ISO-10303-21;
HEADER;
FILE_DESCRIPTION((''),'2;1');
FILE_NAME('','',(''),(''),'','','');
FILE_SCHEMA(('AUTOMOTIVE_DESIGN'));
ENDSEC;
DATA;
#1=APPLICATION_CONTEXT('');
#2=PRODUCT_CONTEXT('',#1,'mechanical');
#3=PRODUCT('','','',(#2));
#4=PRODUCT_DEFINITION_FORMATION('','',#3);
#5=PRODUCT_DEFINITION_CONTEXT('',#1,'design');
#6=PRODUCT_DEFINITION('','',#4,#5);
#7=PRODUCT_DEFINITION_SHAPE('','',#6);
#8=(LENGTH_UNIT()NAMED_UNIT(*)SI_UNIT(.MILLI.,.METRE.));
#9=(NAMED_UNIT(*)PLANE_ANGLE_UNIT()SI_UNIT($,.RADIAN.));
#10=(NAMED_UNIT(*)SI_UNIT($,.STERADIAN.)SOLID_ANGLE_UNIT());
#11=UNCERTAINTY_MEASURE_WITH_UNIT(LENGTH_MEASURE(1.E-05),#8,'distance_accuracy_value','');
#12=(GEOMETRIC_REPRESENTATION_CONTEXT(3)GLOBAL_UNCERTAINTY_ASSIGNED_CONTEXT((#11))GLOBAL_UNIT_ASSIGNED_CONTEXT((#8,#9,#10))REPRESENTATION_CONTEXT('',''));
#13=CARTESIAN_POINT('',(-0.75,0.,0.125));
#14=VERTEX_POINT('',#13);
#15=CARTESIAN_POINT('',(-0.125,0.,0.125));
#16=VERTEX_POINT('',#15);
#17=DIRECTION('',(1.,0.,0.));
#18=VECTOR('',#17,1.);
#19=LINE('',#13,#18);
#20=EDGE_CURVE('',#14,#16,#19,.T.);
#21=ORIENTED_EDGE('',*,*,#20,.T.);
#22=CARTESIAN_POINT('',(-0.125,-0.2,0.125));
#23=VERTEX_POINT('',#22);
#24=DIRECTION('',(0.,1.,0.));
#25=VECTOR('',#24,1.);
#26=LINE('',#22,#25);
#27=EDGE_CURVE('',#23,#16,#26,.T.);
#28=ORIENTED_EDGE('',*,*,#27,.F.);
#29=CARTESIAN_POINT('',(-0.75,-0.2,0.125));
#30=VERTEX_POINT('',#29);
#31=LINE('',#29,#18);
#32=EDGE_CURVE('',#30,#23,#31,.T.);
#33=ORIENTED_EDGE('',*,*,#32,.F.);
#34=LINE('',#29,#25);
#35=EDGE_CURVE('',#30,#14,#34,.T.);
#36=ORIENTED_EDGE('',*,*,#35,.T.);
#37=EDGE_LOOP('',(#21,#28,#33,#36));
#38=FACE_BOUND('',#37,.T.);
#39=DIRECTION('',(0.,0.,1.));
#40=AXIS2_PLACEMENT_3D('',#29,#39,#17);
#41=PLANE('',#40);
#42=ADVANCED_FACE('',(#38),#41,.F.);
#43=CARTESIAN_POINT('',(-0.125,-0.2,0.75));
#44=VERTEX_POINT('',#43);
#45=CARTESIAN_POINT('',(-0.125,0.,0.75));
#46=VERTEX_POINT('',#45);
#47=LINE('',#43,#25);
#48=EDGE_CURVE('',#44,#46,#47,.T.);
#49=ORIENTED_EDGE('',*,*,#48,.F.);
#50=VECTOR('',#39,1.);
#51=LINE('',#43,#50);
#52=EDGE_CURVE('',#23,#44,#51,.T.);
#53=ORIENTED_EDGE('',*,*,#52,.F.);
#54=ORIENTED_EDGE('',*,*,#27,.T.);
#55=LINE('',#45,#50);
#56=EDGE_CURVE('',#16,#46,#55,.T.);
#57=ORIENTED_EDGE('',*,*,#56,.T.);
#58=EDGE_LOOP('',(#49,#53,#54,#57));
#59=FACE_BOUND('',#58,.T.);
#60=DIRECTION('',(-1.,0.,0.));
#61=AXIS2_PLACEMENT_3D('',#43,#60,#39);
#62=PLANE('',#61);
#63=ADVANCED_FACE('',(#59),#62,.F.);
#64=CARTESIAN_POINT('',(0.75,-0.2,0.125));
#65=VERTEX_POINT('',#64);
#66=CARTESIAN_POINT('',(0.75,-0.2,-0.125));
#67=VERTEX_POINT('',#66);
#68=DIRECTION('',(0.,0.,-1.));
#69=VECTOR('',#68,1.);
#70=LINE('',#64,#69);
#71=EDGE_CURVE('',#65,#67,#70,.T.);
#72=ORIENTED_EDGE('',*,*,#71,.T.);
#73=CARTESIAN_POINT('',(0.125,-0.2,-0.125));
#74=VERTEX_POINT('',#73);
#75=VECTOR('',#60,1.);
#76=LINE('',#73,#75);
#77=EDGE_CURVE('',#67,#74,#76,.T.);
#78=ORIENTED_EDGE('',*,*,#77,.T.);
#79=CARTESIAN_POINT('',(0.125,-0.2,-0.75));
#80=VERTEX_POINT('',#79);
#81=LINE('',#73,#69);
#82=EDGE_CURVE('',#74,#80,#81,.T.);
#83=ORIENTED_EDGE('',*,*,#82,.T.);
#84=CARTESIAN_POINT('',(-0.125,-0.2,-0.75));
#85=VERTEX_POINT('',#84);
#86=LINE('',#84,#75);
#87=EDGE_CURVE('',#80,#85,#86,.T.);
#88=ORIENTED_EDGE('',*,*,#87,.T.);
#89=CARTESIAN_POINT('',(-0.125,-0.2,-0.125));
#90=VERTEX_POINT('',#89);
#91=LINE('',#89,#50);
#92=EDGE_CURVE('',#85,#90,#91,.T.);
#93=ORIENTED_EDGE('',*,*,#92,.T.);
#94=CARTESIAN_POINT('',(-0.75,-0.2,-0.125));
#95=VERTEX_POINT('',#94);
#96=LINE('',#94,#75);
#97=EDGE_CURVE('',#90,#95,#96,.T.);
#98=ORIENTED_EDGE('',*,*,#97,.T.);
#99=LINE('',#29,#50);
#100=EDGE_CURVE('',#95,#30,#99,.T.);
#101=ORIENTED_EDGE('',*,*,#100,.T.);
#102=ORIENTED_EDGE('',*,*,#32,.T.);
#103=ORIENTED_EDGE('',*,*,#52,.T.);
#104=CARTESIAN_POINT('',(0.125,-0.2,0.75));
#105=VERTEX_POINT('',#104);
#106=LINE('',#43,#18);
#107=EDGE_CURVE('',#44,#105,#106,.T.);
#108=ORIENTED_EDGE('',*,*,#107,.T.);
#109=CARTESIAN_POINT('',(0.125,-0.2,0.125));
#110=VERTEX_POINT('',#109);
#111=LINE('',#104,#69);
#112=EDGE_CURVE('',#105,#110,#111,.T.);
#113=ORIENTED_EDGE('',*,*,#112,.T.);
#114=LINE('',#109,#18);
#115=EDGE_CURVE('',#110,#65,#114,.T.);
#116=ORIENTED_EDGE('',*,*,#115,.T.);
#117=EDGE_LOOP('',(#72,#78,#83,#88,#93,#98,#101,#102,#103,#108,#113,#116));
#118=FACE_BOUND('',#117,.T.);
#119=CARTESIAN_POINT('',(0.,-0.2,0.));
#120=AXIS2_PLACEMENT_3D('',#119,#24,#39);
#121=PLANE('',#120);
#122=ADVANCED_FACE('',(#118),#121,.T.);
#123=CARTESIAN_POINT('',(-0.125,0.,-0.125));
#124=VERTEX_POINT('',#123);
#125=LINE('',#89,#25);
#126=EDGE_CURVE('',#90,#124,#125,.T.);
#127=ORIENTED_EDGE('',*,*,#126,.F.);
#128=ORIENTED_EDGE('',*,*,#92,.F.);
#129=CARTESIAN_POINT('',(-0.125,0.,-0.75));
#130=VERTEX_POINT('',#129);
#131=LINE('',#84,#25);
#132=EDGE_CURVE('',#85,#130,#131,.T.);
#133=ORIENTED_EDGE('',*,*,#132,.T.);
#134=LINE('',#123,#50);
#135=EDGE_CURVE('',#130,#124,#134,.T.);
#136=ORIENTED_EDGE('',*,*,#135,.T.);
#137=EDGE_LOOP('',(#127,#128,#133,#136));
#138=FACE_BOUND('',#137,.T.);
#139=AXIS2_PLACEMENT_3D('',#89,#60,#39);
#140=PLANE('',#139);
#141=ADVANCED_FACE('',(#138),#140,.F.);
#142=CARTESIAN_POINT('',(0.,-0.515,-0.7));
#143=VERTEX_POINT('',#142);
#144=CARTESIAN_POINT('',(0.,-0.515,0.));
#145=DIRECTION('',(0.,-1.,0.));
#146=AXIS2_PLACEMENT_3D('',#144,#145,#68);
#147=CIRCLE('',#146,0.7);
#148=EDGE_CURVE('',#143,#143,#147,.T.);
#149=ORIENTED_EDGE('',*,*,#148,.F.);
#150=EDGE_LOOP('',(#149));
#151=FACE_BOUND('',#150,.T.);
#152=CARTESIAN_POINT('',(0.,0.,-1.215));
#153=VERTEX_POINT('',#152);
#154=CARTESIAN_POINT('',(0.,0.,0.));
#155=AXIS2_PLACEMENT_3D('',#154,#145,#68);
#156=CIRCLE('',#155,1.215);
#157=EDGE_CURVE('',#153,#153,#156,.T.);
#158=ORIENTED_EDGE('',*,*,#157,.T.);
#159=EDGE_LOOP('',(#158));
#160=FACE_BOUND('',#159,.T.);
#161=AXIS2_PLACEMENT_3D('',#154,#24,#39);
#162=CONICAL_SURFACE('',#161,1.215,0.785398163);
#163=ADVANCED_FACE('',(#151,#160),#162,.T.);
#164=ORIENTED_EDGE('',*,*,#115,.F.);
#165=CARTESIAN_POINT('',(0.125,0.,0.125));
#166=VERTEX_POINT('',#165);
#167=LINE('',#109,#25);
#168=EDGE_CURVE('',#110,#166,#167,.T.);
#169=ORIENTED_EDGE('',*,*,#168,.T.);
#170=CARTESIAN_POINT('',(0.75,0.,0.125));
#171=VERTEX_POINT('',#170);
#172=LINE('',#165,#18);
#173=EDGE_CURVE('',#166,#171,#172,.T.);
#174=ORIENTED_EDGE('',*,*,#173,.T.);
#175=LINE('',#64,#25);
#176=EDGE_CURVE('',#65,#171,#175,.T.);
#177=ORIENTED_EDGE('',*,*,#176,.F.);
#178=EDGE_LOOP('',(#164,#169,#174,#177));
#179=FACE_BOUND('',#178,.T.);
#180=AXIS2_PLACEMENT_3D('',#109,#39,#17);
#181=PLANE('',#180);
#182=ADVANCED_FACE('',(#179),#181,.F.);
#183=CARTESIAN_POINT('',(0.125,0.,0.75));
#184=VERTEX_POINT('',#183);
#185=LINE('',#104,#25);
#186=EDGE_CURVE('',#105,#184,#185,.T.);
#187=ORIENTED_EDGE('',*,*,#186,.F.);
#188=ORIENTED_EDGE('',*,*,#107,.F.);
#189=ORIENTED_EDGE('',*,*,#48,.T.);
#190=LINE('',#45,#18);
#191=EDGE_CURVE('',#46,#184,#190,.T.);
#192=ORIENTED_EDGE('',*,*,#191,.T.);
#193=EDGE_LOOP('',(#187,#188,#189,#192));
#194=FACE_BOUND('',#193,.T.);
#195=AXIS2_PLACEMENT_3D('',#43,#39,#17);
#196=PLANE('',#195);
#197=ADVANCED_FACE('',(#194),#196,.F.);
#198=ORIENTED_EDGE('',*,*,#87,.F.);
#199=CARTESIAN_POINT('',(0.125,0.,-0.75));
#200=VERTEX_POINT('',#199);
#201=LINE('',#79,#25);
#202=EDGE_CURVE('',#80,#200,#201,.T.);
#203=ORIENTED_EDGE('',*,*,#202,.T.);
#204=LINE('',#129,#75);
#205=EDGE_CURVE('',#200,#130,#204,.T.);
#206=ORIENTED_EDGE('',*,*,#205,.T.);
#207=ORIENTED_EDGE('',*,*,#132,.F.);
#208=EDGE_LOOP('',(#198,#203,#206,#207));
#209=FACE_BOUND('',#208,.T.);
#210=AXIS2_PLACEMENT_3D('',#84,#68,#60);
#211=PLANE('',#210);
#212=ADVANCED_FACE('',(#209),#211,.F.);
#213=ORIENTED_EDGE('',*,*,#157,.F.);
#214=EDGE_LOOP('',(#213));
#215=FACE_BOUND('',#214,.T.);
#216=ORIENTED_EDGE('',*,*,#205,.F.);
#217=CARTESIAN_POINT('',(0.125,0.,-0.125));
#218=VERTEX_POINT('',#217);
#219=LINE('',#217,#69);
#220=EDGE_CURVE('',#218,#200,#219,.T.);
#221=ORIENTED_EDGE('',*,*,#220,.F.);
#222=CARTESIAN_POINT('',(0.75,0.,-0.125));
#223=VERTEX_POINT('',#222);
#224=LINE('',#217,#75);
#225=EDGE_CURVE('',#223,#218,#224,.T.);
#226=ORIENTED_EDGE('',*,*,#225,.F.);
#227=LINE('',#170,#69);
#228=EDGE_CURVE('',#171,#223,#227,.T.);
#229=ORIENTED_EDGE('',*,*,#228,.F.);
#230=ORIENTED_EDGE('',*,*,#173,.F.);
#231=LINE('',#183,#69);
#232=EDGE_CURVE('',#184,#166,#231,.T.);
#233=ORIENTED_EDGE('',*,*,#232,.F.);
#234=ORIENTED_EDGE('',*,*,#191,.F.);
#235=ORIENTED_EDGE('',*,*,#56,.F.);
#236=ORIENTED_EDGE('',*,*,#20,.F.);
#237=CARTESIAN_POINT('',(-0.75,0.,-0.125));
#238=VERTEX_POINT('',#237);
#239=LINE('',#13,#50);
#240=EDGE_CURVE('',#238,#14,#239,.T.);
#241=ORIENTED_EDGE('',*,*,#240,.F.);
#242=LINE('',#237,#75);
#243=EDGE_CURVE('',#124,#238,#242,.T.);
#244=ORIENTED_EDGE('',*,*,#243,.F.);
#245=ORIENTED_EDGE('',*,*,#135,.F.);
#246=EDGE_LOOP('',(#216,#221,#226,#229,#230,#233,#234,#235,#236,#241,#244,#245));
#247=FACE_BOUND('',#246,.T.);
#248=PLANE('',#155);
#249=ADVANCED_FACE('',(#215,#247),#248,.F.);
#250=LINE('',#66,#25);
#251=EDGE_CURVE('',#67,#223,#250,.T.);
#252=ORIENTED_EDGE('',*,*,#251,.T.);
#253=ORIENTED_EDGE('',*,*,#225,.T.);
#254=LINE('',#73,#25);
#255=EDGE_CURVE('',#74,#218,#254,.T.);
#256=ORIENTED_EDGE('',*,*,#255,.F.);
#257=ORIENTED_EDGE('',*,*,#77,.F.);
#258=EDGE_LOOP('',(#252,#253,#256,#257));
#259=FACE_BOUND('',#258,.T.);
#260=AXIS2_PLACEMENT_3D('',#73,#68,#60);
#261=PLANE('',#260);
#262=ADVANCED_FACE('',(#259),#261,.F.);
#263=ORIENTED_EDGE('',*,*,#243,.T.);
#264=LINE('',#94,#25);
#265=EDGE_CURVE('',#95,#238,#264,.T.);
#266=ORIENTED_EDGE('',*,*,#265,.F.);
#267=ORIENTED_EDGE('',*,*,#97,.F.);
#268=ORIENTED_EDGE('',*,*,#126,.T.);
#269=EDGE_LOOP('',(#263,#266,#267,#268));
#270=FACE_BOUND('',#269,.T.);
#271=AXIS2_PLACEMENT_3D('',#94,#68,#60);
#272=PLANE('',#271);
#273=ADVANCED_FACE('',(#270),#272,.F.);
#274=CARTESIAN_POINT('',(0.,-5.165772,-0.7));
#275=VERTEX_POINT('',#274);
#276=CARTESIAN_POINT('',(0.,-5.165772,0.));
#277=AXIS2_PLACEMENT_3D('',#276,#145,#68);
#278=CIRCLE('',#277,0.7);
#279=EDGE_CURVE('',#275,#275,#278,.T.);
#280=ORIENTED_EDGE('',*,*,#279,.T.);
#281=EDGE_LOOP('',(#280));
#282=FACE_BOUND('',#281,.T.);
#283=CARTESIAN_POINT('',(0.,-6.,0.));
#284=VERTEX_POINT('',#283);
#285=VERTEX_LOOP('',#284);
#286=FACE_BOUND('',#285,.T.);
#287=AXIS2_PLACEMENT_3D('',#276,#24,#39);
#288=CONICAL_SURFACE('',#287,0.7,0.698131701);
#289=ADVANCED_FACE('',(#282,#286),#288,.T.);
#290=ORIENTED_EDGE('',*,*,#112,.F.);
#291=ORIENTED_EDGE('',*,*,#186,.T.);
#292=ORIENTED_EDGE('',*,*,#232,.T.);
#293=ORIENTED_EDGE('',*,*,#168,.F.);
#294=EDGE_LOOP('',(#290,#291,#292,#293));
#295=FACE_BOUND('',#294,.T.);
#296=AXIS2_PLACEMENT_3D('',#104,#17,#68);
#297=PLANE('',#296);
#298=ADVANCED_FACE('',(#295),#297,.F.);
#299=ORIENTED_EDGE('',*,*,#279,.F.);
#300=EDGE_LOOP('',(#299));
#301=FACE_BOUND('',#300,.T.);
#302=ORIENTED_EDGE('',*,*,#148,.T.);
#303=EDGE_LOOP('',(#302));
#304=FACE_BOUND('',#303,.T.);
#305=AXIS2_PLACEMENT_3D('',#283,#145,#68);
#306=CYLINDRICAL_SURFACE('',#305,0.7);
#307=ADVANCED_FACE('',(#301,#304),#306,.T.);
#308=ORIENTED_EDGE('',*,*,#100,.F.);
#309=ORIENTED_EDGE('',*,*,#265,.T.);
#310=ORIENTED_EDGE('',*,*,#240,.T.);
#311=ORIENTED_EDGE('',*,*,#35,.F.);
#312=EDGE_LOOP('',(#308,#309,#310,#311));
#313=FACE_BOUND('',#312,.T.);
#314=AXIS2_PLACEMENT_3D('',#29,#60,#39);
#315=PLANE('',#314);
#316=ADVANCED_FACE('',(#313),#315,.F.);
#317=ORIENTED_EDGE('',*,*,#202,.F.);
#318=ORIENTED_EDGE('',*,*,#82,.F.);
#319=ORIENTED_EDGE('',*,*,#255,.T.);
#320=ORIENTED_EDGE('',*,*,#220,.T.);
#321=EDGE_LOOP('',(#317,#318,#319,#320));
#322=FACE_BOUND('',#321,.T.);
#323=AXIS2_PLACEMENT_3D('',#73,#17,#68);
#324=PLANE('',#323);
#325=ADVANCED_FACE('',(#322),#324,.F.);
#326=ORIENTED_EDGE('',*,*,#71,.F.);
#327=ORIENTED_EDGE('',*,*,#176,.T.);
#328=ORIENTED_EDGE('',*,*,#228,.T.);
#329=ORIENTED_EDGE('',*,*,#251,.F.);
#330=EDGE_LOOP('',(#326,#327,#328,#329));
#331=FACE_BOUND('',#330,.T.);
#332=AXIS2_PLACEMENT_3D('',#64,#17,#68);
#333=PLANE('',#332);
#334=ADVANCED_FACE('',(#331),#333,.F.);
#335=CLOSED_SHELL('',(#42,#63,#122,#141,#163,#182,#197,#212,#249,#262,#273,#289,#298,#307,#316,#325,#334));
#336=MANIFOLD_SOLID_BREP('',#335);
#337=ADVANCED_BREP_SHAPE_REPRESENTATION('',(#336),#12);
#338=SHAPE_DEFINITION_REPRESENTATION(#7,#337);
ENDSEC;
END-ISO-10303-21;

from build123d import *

# Parameters (mm, degrees)
CUT_EXTRUDE1_DEPTH = 0.2


with BuildPart() as part:
    # Sketch1 → Revolve1 (revolve)
    with BuildSketch(Plane.XY):
        Polygon((0, 0), (-1.215, 0), (-0.7, -0.515), (-0.7, -5.165772485), (0, -6), align=None)
    revolve(axis=Axis((0, -6, 0), (0, 1, 0)))

    # Sketch2 → Cut-Extrude1 (cut)
    with BuildSketch(Plane(origin=(0, 0, 0), x_dir=(1, 0, 0), z_dir=(0, 1, 0))):
        Polygon((-0.75, -0.125), (-0.125, -0.125), (-0.125, -0.75), (0.125, -0.75), (0.125, -0.125), (0.75, -0.125), (0.75, 0.125), (0.125, 0.125), (0.125, 0.75), (-0.125, 0.75), (-0.125, 0.125), (-0.75, 0.125), align=None)
    extrude(amount=-CUT_EXTRUDE1_DEPTH, mode=Mode.SUBTRACT)


solid = part.part
